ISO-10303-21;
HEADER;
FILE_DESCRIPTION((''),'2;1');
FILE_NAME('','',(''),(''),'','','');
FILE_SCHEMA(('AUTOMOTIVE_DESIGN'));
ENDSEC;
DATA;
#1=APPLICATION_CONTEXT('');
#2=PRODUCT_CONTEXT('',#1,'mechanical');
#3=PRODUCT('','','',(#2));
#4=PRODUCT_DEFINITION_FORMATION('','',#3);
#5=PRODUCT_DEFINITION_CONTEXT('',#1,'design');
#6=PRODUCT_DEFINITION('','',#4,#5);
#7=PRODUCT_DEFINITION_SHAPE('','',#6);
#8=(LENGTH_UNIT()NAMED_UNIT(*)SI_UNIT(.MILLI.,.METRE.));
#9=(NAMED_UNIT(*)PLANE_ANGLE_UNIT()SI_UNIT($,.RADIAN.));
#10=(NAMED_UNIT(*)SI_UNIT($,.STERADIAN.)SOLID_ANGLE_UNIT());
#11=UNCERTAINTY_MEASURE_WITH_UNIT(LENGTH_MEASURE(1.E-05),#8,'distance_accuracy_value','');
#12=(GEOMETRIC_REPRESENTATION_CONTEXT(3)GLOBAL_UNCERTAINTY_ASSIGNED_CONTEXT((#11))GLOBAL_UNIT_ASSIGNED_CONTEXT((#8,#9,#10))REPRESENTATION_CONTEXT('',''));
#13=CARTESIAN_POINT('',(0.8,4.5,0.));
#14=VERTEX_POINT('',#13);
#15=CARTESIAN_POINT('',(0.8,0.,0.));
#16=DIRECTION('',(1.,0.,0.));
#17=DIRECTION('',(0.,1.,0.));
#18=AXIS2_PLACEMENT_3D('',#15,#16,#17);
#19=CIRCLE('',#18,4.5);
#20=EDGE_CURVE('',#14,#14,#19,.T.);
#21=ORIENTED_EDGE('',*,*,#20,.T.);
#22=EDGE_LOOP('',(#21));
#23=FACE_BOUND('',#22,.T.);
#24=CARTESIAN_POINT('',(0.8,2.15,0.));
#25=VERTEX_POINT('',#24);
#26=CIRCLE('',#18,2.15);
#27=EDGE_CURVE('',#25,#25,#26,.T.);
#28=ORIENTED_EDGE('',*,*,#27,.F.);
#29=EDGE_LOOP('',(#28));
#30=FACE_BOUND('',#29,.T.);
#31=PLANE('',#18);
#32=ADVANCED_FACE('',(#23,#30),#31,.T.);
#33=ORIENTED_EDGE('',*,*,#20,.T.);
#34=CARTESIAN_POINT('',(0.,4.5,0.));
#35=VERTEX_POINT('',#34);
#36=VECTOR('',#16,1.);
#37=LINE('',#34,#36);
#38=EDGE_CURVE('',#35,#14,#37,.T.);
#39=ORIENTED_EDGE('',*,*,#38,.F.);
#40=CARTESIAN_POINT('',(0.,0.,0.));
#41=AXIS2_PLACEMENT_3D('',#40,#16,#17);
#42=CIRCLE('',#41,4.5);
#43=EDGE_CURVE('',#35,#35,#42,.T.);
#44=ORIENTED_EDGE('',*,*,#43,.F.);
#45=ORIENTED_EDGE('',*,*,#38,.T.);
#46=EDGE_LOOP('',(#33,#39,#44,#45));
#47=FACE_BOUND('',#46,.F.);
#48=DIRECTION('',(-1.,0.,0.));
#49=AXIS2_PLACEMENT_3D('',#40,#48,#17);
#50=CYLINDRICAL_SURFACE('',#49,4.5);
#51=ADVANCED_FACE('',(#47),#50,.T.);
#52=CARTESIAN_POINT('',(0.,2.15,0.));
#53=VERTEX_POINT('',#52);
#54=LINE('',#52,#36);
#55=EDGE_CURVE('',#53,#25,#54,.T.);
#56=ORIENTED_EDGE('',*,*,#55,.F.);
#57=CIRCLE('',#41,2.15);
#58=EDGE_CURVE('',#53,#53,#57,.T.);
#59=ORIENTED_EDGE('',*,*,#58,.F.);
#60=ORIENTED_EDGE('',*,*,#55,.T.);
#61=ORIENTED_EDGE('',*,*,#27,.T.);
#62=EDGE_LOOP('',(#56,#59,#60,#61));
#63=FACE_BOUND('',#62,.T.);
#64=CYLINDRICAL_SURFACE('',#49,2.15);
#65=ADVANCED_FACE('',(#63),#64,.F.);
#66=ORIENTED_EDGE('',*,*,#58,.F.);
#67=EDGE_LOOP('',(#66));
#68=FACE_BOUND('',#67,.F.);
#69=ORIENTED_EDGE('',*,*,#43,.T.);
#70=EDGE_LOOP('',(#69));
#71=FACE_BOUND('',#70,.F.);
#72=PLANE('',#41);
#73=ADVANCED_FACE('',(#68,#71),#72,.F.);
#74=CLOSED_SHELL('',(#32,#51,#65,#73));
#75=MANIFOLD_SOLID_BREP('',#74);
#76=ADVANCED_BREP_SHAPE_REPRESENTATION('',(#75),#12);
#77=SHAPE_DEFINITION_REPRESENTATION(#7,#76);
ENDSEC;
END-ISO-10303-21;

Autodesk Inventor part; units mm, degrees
ref_plane "YZ Plane" through (0, 0, 0) normal (1, 0, 0) x (0, 1, 0)
ref_plane "XZ Plane" through (0, 0, 0) normal (0, 1, 0) x (-1, 0, 0)
sketch "Sketch" plane through (0, 0, 0) normal (1, 0, 0) x (0, 1, 0)
  circle A0 centre (0, 0) radius 4.5
  circle A1 centre (0, 0) radius 2.15
  dimension "d0" = 4.3
  dimension "d1" = 9
extrude "Body" add sketch "Sketch" along normal blind 0.8
ref_plane "Work Plane1" through (0, 0, 0) normal (0, 0, 1) x (1, 0, 0)
equation "\"d0\" = SD1"
equation "\"d1\" = SD2"
equation "\"d2\" = SD"
equation "\"SD1\" = 4.3"
equation "\"SD2\" = 9"
equation "\"SD\" = 0.8"
equation "\"NND\" = 4"
properties part number "4mm Washer" material "Stainless Steel"
